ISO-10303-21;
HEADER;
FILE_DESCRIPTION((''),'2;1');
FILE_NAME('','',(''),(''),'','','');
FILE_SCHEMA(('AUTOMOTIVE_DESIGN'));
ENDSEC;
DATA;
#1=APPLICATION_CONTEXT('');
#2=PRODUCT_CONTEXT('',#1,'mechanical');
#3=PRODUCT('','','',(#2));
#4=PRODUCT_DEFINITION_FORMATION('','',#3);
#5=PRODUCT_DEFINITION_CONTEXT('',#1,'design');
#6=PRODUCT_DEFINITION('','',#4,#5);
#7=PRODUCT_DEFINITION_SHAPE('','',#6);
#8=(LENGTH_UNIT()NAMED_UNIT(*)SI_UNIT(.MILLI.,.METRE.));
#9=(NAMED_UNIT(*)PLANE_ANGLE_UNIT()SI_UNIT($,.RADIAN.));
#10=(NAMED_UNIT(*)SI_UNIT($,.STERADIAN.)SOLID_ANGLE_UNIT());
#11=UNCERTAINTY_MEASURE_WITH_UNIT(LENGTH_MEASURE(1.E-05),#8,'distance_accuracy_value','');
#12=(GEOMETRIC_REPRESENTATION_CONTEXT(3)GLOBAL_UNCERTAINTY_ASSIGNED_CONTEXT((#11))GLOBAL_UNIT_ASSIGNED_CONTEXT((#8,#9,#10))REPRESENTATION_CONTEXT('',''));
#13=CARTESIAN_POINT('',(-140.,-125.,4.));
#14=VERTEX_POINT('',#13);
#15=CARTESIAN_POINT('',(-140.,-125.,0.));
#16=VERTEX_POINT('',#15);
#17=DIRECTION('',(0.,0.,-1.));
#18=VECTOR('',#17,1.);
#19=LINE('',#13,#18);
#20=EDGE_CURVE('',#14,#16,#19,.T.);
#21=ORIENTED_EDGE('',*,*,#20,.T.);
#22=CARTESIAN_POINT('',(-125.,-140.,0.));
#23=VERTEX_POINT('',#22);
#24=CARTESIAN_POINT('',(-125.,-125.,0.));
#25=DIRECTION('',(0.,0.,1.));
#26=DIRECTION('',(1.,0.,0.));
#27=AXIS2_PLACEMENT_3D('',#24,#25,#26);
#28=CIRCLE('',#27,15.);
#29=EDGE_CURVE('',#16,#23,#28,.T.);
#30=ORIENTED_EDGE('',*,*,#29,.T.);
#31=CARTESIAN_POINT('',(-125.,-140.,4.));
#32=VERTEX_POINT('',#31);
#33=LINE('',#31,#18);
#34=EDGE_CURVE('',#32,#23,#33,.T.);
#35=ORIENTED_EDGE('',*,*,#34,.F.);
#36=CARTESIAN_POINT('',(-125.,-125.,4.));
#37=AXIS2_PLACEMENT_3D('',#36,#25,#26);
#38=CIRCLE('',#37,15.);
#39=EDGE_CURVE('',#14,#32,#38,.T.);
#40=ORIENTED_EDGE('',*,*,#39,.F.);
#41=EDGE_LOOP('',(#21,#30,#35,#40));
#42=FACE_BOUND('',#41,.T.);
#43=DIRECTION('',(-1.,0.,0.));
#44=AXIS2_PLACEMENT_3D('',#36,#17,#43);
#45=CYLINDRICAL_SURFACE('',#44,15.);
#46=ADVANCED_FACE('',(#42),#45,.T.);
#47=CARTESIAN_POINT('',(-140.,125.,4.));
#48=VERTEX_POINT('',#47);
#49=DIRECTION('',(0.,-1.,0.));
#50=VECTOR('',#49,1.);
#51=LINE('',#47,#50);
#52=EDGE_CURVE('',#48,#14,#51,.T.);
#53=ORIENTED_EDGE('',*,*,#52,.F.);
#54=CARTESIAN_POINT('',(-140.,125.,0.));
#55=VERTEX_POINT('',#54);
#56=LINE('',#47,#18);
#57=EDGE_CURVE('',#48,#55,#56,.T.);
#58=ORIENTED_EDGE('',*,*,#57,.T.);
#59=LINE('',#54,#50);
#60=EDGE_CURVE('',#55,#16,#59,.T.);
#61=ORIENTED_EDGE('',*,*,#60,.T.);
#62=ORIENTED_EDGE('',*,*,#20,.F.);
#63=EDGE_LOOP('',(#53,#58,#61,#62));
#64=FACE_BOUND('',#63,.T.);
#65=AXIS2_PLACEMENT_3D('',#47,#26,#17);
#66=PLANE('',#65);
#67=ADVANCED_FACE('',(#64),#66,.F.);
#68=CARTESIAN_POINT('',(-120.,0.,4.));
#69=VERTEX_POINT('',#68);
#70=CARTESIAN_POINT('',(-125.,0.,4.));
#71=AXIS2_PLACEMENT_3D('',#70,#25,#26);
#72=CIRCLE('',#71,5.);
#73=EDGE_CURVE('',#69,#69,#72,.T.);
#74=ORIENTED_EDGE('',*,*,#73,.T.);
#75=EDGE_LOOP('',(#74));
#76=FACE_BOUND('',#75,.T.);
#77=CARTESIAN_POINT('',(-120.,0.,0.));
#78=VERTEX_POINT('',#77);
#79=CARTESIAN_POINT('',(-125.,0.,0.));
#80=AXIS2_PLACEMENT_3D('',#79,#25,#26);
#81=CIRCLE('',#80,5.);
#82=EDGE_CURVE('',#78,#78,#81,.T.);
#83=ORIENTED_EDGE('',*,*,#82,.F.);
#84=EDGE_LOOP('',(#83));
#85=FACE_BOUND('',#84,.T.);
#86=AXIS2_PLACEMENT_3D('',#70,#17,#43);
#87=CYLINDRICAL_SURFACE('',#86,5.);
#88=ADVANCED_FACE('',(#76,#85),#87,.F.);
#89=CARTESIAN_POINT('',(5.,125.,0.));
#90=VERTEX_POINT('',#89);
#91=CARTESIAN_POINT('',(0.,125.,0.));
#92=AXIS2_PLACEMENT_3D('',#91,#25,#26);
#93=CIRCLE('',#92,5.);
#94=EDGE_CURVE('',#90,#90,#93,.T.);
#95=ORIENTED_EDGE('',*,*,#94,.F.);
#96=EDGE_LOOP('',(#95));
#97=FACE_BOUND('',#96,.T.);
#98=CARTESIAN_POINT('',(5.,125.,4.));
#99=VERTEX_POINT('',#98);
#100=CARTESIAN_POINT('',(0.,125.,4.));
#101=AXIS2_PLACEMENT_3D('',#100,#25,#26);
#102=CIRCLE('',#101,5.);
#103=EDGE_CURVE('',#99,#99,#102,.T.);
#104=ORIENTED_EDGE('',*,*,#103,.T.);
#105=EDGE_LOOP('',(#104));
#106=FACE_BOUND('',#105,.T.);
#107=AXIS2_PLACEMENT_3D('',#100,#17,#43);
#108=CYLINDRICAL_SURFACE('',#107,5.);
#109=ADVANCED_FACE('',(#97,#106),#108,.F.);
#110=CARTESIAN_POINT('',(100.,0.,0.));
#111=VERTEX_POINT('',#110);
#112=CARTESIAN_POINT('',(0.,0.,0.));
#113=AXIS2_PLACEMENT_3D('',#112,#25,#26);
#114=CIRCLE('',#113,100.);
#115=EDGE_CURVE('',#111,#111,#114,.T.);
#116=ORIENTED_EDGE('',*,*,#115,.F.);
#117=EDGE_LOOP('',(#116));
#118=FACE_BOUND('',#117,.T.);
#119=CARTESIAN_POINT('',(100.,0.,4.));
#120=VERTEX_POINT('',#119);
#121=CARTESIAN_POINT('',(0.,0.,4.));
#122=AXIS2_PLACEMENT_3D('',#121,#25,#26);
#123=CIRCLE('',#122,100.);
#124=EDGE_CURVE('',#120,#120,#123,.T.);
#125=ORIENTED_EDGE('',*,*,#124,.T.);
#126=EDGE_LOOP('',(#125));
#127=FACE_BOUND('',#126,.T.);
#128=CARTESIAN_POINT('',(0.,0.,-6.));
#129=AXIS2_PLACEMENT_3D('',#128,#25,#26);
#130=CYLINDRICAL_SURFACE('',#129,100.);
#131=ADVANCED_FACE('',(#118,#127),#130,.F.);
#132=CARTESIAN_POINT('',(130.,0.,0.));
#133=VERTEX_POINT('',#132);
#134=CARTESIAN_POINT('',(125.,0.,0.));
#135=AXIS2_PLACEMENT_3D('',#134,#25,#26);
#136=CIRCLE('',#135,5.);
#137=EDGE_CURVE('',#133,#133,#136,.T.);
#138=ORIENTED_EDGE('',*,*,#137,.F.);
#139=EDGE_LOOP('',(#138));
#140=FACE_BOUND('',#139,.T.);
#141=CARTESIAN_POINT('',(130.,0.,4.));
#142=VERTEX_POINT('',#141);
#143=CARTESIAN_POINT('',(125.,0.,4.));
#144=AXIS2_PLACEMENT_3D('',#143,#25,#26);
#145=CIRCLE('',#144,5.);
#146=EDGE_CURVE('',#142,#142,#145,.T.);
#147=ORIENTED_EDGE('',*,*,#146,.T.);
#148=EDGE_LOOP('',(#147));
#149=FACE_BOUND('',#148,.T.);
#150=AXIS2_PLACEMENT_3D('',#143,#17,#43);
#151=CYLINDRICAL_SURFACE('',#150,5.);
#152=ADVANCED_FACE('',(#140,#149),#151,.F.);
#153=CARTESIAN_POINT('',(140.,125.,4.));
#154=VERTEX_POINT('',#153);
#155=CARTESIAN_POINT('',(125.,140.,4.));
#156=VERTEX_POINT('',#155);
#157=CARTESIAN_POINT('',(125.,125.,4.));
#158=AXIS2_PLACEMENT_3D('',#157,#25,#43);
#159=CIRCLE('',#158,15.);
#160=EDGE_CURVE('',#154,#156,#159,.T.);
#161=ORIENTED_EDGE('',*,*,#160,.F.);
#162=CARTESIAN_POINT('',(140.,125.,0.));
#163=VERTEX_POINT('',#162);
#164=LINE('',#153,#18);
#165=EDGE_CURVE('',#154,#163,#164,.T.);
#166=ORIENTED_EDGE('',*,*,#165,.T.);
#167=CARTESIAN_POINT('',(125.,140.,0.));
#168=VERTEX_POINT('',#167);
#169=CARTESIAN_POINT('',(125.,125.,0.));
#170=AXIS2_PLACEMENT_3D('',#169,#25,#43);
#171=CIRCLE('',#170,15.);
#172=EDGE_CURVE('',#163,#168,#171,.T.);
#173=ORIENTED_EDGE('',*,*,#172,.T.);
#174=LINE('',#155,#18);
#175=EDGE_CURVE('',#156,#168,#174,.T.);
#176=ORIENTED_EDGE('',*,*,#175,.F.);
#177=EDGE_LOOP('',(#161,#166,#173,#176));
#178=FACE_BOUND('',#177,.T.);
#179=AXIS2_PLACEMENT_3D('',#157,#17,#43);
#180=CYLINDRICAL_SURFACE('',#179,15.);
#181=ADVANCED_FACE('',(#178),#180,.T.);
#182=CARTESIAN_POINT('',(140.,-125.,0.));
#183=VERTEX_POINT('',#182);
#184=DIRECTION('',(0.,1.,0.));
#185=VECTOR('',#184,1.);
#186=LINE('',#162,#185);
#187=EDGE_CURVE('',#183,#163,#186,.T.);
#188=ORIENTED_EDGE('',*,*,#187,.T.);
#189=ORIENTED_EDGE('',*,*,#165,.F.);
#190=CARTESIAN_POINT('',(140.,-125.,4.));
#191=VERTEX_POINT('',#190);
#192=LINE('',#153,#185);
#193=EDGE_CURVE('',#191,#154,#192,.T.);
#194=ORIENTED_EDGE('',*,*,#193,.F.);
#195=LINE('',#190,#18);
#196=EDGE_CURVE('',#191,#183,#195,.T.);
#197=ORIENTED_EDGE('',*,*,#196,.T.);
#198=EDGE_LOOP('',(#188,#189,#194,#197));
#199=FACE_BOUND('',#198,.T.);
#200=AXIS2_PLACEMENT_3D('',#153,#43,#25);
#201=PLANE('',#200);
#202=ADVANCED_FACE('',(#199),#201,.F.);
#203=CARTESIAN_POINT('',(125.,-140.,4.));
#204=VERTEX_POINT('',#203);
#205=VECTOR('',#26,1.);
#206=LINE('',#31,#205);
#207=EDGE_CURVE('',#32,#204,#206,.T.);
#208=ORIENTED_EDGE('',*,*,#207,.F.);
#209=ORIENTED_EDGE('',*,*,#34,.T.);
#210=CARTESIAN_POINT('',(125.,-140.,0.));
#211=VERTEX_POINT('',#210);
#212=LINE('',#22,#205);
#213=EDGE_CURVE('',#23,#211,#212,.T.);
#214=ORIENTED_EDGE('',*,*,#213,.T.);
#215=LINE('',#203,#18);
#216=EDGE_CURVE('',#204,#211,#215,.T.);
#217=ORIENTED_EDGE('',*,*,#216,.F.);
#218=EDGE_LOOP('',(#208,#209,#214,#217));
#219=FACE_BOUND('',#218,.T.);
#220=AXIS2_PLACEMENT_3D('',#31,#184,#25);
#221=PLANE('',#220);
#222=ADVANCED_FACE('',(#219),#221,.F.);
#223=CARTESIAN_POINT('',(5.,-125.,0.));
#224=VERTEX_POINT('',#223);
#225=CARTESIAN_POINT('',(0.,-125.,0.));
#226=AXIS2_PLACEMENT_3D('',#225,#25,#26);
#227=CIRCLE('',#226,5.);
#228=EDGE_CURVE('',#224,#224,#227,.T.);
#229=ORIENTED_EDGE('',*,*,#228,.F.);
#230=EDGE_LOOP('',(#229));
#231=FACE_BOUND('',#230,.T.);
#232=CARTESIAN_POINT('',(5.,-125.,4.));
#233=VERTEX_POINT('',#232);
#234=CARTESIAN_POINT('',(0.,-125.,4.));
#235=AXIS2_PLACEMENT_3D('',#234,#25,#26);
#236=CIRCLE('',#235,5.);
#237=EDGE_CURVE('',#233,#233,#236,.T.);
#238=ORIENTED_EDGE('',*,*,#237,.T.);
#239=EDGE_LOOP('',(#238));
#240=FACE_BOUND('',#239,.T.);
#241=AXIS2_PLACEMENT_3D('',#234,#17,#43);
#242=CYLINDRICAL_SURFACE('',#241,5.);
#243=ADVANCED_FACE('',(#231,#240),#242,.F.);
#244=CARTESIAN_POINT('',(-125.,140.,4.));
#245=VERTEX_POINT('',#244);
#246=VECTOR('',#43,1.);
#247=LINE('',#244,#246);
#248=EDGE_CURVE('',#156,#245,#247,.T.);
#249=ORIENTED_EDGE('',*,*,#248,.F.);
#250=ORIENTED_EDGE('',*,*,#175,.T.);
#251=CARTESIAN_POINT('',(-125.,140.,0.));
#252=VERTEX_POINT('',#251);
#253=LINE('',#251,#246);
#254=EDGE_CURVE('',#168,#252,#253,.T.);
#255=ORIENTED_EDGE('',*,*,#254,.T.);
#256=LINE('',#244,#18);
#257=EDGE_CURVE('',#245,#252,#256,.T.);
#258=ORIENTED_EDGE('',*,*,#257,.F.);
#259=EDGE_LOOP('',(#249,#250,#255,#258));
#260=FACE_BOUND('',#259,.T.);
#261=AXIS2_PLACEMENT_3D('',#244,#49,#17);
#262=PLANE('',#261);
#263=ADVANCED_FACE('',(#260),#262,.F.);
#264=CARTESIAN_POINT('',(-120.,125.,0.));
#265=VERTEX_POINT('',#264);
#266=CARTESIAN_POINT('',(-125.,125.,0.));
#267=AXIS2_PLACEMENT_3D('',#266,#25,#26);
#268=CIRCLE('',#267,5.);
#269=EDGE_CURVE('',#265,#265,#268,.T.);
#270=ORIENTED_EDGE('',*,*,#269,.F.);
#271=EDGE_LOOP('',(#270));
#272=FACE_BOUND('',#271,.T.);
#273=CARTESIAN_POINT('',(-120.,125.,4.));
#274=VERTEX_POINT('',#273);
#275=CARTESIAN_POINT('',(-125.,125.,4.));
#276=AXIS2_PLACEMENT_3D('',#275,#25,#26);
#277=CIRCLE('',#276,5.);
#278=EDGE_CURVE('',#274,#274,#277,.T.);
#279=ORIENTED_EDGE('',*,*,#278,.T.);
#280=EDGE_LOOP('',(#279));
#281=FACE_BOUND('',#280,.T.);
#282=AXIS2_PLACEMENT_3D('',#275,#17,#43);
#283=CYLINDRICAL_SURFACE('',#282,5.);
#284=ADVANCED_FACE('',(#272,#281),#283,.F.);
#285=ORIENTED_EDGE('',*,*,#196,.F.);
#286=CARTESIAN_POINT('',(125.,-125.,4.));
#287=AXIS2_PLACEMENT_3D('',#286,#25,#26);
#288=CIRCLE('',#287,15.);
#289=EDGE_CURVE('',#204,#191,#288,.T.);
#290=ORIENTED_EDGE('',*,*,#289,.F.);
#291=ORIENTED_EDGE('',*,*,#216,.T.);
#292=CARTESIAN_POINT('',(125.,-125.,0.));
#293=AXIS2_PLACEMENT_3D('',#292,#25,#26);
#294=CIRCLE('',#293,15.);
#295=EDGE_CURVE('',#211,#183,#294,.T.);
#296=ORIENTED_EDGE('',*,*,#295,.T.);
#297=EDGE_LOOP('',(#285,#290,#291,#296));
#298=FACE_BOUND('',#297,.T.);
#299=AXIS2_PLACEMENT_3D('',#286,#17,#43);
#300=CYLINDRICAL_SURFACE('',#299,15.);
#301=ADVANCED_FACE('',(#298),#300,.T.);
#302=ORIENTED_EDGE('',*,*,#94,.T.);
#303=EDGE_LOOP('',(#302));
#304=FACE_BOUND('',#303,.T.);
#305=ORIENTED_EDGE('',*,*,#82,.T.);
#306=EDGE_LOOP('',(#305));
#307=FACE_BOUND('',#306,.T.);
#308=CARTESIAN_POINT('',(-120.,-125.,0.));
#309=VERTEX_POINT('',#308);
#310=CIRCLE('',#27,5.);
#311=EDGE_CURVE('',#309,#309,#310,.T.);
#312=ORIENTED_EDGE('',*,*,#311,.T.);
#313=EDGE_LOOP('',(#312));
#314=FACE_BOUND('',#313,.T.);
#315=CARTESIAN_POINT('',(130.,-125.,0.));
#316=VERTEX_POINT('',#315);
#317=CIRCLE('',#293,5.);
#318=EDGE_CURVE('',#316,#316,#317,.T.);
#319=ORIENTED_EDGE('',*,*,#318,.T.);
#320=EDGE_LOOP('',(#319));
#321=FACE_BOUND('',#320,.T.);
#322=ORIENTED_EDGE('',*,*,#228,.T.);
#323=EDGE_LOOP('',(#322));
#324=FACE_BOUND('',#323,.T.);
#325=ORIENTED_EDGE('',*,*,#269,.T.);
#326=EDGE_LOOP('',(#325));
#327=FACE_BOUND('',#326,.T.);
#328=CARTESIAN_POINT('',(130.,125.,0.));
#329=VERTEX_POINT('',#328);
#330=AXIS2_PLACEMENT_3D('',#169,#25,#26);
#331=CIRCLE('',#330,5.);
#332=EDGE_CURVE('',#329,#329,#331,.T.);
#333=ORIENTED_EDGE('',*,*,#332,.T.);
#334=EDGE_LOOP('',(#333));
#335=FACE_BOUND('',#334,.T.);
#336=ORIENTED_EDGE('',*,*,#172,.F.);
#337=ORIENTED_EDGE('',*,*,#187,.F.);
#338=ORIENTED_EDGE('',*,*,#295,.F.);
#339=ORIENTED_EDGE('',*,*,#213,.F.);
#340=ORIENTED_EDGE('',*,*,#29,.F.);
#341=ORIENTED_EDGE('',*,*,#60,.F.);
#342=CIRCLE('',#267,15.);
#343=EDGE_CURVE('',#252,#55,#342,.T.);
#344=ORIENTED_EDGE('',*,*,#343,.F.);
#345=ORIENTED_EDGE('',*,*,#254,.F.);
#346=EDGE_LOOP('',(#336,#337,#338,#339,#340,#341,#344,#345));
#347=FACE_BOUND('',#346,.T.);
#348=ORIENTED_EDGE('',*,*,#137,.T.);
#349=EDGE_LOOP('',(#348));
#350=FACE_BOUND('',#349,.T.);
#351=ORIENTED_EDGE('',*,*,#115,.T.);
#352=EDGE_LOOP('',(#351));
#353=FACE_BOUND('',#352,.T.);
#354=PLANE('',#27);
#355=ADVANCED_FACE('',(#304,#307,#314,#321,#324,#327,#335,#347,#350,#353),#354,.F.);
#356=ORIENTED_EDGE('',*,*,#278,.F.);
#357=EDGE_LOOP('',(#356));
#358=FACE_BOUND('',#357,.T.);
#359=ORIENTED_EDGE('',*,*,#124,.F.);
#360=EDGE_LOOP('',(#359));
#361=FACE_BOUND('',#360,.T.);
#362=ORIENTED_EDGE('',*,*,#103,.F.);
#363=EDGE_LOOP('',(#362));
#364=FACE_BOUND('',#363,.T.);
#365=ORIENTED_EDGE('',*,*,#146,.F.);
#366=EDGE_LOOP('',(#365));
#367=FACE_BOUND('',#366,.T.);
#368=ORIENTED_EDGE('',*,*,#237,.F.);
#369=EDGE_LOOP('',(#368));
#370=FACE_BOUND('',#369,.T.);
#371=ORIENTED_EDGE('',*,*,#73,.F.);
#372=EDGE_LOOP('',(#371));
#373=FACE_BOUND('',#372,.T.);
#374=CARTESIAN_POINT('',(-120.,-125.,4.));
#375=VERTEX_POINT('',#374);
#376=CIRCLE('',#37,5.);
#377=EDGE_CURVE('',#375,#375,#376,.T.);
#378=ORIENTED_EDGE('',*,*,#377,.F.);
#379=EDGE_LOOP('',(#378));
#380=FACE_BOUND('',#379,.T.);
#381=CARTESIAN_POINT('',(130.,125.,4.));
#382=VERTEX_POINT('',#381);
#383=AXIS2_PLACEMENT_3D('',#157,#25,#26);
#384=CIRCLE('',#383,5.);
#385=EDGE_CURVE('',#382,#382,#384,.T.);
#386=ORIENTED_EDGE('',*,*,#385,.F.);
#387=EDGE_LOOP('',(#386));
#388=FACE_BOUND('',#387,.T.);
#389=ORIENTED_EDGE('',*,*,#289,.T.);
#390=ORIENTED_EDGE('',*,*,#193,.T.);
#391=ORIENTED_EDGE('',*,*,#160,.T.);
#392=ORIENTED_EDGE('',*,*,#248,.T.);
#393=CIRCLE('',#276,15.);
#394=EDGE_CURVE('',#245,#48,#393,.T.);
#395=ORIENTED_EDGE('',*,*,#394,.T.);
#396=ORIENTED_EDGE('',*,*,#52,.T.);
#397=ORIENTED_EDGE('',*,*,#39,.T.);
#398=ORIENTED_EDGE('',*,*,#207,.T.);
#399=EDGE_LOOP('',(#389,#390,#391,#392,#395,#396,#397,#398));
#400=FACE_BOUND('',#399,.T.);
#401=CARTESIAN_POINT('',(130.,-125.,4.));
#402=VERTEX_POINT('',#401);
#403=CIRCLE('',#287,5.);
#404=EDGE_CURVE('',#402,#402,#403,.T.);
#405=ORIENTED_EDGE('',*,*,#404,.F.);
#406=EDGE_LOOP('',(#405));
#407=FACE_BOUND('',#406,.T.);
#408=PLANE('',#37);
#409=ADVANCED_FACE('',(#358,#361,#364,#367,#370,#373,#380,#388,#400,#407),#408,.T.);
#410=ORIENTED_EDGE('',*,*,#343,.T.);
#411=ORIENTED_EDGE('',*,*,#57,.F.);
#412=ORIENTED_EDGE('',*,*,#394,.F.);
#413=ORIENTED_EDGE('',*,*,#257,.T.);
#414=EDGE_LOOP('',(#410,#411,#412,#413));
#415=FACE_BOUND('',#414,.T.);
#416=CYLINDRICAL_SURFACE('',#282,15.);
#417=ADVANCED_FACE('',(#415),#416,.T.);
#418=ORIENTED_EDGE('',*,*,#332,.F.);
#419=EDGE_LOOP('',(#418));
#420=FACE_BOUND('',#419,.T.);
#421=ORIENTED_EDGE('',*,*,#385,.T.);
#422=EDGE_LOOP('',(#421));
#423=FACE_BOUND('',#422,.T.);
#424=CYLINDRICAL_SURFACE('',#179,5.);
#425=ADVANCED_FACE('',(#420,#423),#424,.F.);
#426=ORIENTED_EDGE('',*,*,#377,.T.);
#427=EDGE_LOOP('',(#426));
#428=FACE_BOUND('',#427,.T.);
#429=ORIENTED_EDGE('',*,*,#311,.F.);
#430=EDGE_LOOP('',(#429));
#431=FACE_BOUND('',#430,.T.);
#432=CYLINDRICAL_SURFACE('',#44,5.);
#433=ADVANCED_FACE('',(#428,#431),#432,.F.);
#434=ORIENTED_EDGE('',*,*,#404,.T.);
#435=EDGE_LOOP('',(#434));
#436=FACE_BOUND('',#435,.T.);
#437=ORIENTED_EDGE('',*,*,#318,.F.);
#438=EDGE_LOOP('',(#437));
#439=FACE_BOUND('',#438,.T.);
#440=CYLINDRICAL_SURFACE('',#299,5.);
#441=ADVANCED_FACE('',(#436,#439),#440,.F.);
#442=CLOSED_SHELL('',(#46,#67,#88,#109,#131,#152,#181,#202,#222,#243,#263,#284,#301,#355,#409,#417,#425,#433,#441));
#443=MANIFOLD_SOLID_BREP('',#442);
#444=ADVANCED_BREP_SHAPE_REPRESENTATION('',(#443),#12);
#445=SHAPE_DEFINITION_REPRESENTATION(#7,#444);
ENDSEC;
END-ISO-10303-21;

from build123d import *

# Parameters (mm, degrees)
SKETCH2_R           = 5
SKETCH2_R_2         = 4
BOSS_EXTRUDE1_DEPTH = 4
SKETCH7_R           = 100
CUT_EXTRUDE2_DEPTH  = 10


with BuildPart() as part:
    # Sketch2 → Boss-Extrude1 (new body)
    with BuildSketch(Plane.XY):
        with BuildLine():
            Line((-125, 140), (125, 140))
            ThreePointArc((125, 140), (135.606601718, 135.606601718), (140, 125))
            Line((140, 125), (140, -125))
            ThreePointArc((140, -125), (135.606601718, -135.606601718), (125, -140))
            Line((125, -140), (-125, -140))
            ThreePointArc((-125, -140), (-135.606601718, -135.606601718), (-140, -125))
            Line((-140, -125), (-140, 125))
            ThreePointArc((-140, 125), (-135.606601718, 135.606601718), (-125, 140))
        make_face()
        with Locations((-125, 125)):
            Circle(SKETCH2_R, mode=Mode.SUBTRACT)
        with Locations((0, 125)):
            Circle(SKETCH2_R, mode=Mode.SUBTRACT)
        with Locations((125, 125)):
            Circle(SKETCH2_R, mode=Mode.SUBTRACT)
        Circle(SKETCH2_R_2, mode=Mode.SUBTRACT)
        with Locations((125, 0)):
            Circle(SKETCH2_R, mode=Mode.SUBTRACT)
        with Locations((-125, 0)):
            Circle(SKETCH2_R, mode=Mode.SUBTRACT)
        with Locations((-125, -125)):
            Circle(SKETCH2_R, mode=Mode.SUBTRACT)
        with Locations((0, -125)):
            Circle(SKETCH2_R, mode=Mode.SUBTRACT)
        with Locations((125, -125)):
            Circle(SKETCH2_R, mode=Mode.SUBTRACT)
    extrude(amount=BOSS_EXTRUDE1_DEPTH)

    # Sketch7 → Cut-Extrude2 (cut)
    with BuildSketch(Plane.XY.offset(4)):
        Circle(SKETCH7_R)
    extrude(amount=-CUT_EXTRUDE2_DEPTH, mode=Mode.SUBTRACT)


solid = part.part
